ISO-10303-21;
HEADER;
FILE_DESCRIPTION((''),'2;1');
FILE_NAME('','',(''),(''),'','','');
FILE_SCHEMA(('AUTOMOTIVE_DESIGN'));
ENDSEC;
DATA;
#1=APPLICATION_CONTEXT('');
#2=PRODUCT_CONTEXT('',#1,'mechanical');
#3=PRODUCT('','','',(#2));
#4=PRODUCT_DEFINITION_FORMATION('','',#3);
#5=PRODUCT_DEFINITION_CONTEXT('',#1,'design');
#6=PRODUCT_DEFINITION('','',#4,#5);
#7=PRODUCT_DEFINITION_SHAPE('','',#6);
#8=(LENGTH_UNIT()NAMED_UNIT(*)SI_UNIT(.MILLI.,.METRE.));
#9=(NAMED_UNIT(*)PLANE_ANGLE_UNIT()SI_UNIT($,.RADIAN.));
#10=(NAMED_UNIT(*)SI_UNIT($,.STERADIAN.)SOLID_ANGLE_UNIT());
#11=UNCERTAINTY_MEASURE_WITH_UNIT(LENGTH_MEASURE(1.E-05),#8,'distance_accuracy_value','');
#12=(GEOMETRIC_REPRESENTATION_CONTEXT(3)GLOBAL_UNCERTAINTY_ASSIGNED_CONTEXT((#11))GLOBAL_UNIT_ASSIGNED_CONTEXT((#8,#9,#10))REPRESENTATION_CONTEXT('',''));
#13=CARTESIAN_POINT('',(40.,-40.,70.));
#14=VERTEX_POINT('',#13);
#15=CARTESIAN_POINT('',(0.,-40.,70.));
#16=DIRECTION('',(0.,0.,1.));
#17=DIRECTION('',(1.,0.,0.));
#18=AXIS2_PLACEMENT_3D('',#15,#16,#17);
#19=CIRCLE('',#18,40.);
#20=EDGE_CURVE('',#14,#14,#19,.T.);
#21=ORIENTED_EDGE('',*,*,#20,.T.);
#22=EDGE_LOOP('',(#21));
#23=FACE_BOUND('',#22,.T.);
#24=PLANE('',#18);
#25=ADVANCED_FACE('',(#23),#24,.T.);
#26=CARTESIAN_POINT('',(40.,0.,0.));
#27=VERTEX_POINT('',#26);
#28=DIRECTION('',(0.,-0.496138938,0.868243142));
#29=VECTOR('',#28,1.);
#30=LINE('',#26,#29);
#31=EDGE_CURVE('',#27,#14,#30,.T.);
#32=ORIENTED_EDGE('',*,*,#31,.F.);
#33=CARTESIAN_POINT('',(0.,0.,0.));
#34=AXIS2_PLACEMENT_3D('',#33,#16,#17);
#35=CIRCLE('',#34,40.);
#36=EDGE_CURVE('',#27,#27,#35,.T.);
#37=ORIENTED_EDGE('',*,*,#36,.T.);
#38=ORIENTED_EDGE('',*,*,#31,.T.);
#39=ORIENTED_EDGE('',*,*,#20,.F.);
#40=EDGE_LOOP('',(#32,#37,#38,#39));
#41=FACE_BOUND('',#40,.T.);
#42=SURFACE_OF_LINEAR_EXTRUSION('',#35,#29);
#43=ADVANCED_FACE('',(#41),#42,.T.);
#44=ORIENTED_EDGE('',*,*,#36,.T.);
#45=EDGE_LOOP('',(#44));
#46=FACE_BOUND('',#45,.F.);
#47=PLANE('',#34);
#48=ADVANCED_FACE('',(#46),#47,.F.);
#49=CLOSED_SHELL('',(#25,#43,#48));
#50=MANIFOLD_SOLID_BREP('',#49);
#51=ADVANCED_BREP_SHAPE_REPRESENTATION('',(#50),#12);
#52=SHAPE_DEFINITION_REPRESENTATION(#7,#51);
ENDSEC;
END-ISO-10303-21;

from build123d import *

# Parameters (mm, degrees)
F0_R = 40


with BuildPart() as f4:
    # F4: sweep along a path in F3
    with BuildLine(Plane.YZ) as f4_path:
        Line((0, 0), (-40, 70))
    # F0 (on Top) → F4 (sweep)
    with BuildSketch(Plane.XY):
        Circle(F0_R)
    sweep(path=f4_path.line)


solid = f4.part
